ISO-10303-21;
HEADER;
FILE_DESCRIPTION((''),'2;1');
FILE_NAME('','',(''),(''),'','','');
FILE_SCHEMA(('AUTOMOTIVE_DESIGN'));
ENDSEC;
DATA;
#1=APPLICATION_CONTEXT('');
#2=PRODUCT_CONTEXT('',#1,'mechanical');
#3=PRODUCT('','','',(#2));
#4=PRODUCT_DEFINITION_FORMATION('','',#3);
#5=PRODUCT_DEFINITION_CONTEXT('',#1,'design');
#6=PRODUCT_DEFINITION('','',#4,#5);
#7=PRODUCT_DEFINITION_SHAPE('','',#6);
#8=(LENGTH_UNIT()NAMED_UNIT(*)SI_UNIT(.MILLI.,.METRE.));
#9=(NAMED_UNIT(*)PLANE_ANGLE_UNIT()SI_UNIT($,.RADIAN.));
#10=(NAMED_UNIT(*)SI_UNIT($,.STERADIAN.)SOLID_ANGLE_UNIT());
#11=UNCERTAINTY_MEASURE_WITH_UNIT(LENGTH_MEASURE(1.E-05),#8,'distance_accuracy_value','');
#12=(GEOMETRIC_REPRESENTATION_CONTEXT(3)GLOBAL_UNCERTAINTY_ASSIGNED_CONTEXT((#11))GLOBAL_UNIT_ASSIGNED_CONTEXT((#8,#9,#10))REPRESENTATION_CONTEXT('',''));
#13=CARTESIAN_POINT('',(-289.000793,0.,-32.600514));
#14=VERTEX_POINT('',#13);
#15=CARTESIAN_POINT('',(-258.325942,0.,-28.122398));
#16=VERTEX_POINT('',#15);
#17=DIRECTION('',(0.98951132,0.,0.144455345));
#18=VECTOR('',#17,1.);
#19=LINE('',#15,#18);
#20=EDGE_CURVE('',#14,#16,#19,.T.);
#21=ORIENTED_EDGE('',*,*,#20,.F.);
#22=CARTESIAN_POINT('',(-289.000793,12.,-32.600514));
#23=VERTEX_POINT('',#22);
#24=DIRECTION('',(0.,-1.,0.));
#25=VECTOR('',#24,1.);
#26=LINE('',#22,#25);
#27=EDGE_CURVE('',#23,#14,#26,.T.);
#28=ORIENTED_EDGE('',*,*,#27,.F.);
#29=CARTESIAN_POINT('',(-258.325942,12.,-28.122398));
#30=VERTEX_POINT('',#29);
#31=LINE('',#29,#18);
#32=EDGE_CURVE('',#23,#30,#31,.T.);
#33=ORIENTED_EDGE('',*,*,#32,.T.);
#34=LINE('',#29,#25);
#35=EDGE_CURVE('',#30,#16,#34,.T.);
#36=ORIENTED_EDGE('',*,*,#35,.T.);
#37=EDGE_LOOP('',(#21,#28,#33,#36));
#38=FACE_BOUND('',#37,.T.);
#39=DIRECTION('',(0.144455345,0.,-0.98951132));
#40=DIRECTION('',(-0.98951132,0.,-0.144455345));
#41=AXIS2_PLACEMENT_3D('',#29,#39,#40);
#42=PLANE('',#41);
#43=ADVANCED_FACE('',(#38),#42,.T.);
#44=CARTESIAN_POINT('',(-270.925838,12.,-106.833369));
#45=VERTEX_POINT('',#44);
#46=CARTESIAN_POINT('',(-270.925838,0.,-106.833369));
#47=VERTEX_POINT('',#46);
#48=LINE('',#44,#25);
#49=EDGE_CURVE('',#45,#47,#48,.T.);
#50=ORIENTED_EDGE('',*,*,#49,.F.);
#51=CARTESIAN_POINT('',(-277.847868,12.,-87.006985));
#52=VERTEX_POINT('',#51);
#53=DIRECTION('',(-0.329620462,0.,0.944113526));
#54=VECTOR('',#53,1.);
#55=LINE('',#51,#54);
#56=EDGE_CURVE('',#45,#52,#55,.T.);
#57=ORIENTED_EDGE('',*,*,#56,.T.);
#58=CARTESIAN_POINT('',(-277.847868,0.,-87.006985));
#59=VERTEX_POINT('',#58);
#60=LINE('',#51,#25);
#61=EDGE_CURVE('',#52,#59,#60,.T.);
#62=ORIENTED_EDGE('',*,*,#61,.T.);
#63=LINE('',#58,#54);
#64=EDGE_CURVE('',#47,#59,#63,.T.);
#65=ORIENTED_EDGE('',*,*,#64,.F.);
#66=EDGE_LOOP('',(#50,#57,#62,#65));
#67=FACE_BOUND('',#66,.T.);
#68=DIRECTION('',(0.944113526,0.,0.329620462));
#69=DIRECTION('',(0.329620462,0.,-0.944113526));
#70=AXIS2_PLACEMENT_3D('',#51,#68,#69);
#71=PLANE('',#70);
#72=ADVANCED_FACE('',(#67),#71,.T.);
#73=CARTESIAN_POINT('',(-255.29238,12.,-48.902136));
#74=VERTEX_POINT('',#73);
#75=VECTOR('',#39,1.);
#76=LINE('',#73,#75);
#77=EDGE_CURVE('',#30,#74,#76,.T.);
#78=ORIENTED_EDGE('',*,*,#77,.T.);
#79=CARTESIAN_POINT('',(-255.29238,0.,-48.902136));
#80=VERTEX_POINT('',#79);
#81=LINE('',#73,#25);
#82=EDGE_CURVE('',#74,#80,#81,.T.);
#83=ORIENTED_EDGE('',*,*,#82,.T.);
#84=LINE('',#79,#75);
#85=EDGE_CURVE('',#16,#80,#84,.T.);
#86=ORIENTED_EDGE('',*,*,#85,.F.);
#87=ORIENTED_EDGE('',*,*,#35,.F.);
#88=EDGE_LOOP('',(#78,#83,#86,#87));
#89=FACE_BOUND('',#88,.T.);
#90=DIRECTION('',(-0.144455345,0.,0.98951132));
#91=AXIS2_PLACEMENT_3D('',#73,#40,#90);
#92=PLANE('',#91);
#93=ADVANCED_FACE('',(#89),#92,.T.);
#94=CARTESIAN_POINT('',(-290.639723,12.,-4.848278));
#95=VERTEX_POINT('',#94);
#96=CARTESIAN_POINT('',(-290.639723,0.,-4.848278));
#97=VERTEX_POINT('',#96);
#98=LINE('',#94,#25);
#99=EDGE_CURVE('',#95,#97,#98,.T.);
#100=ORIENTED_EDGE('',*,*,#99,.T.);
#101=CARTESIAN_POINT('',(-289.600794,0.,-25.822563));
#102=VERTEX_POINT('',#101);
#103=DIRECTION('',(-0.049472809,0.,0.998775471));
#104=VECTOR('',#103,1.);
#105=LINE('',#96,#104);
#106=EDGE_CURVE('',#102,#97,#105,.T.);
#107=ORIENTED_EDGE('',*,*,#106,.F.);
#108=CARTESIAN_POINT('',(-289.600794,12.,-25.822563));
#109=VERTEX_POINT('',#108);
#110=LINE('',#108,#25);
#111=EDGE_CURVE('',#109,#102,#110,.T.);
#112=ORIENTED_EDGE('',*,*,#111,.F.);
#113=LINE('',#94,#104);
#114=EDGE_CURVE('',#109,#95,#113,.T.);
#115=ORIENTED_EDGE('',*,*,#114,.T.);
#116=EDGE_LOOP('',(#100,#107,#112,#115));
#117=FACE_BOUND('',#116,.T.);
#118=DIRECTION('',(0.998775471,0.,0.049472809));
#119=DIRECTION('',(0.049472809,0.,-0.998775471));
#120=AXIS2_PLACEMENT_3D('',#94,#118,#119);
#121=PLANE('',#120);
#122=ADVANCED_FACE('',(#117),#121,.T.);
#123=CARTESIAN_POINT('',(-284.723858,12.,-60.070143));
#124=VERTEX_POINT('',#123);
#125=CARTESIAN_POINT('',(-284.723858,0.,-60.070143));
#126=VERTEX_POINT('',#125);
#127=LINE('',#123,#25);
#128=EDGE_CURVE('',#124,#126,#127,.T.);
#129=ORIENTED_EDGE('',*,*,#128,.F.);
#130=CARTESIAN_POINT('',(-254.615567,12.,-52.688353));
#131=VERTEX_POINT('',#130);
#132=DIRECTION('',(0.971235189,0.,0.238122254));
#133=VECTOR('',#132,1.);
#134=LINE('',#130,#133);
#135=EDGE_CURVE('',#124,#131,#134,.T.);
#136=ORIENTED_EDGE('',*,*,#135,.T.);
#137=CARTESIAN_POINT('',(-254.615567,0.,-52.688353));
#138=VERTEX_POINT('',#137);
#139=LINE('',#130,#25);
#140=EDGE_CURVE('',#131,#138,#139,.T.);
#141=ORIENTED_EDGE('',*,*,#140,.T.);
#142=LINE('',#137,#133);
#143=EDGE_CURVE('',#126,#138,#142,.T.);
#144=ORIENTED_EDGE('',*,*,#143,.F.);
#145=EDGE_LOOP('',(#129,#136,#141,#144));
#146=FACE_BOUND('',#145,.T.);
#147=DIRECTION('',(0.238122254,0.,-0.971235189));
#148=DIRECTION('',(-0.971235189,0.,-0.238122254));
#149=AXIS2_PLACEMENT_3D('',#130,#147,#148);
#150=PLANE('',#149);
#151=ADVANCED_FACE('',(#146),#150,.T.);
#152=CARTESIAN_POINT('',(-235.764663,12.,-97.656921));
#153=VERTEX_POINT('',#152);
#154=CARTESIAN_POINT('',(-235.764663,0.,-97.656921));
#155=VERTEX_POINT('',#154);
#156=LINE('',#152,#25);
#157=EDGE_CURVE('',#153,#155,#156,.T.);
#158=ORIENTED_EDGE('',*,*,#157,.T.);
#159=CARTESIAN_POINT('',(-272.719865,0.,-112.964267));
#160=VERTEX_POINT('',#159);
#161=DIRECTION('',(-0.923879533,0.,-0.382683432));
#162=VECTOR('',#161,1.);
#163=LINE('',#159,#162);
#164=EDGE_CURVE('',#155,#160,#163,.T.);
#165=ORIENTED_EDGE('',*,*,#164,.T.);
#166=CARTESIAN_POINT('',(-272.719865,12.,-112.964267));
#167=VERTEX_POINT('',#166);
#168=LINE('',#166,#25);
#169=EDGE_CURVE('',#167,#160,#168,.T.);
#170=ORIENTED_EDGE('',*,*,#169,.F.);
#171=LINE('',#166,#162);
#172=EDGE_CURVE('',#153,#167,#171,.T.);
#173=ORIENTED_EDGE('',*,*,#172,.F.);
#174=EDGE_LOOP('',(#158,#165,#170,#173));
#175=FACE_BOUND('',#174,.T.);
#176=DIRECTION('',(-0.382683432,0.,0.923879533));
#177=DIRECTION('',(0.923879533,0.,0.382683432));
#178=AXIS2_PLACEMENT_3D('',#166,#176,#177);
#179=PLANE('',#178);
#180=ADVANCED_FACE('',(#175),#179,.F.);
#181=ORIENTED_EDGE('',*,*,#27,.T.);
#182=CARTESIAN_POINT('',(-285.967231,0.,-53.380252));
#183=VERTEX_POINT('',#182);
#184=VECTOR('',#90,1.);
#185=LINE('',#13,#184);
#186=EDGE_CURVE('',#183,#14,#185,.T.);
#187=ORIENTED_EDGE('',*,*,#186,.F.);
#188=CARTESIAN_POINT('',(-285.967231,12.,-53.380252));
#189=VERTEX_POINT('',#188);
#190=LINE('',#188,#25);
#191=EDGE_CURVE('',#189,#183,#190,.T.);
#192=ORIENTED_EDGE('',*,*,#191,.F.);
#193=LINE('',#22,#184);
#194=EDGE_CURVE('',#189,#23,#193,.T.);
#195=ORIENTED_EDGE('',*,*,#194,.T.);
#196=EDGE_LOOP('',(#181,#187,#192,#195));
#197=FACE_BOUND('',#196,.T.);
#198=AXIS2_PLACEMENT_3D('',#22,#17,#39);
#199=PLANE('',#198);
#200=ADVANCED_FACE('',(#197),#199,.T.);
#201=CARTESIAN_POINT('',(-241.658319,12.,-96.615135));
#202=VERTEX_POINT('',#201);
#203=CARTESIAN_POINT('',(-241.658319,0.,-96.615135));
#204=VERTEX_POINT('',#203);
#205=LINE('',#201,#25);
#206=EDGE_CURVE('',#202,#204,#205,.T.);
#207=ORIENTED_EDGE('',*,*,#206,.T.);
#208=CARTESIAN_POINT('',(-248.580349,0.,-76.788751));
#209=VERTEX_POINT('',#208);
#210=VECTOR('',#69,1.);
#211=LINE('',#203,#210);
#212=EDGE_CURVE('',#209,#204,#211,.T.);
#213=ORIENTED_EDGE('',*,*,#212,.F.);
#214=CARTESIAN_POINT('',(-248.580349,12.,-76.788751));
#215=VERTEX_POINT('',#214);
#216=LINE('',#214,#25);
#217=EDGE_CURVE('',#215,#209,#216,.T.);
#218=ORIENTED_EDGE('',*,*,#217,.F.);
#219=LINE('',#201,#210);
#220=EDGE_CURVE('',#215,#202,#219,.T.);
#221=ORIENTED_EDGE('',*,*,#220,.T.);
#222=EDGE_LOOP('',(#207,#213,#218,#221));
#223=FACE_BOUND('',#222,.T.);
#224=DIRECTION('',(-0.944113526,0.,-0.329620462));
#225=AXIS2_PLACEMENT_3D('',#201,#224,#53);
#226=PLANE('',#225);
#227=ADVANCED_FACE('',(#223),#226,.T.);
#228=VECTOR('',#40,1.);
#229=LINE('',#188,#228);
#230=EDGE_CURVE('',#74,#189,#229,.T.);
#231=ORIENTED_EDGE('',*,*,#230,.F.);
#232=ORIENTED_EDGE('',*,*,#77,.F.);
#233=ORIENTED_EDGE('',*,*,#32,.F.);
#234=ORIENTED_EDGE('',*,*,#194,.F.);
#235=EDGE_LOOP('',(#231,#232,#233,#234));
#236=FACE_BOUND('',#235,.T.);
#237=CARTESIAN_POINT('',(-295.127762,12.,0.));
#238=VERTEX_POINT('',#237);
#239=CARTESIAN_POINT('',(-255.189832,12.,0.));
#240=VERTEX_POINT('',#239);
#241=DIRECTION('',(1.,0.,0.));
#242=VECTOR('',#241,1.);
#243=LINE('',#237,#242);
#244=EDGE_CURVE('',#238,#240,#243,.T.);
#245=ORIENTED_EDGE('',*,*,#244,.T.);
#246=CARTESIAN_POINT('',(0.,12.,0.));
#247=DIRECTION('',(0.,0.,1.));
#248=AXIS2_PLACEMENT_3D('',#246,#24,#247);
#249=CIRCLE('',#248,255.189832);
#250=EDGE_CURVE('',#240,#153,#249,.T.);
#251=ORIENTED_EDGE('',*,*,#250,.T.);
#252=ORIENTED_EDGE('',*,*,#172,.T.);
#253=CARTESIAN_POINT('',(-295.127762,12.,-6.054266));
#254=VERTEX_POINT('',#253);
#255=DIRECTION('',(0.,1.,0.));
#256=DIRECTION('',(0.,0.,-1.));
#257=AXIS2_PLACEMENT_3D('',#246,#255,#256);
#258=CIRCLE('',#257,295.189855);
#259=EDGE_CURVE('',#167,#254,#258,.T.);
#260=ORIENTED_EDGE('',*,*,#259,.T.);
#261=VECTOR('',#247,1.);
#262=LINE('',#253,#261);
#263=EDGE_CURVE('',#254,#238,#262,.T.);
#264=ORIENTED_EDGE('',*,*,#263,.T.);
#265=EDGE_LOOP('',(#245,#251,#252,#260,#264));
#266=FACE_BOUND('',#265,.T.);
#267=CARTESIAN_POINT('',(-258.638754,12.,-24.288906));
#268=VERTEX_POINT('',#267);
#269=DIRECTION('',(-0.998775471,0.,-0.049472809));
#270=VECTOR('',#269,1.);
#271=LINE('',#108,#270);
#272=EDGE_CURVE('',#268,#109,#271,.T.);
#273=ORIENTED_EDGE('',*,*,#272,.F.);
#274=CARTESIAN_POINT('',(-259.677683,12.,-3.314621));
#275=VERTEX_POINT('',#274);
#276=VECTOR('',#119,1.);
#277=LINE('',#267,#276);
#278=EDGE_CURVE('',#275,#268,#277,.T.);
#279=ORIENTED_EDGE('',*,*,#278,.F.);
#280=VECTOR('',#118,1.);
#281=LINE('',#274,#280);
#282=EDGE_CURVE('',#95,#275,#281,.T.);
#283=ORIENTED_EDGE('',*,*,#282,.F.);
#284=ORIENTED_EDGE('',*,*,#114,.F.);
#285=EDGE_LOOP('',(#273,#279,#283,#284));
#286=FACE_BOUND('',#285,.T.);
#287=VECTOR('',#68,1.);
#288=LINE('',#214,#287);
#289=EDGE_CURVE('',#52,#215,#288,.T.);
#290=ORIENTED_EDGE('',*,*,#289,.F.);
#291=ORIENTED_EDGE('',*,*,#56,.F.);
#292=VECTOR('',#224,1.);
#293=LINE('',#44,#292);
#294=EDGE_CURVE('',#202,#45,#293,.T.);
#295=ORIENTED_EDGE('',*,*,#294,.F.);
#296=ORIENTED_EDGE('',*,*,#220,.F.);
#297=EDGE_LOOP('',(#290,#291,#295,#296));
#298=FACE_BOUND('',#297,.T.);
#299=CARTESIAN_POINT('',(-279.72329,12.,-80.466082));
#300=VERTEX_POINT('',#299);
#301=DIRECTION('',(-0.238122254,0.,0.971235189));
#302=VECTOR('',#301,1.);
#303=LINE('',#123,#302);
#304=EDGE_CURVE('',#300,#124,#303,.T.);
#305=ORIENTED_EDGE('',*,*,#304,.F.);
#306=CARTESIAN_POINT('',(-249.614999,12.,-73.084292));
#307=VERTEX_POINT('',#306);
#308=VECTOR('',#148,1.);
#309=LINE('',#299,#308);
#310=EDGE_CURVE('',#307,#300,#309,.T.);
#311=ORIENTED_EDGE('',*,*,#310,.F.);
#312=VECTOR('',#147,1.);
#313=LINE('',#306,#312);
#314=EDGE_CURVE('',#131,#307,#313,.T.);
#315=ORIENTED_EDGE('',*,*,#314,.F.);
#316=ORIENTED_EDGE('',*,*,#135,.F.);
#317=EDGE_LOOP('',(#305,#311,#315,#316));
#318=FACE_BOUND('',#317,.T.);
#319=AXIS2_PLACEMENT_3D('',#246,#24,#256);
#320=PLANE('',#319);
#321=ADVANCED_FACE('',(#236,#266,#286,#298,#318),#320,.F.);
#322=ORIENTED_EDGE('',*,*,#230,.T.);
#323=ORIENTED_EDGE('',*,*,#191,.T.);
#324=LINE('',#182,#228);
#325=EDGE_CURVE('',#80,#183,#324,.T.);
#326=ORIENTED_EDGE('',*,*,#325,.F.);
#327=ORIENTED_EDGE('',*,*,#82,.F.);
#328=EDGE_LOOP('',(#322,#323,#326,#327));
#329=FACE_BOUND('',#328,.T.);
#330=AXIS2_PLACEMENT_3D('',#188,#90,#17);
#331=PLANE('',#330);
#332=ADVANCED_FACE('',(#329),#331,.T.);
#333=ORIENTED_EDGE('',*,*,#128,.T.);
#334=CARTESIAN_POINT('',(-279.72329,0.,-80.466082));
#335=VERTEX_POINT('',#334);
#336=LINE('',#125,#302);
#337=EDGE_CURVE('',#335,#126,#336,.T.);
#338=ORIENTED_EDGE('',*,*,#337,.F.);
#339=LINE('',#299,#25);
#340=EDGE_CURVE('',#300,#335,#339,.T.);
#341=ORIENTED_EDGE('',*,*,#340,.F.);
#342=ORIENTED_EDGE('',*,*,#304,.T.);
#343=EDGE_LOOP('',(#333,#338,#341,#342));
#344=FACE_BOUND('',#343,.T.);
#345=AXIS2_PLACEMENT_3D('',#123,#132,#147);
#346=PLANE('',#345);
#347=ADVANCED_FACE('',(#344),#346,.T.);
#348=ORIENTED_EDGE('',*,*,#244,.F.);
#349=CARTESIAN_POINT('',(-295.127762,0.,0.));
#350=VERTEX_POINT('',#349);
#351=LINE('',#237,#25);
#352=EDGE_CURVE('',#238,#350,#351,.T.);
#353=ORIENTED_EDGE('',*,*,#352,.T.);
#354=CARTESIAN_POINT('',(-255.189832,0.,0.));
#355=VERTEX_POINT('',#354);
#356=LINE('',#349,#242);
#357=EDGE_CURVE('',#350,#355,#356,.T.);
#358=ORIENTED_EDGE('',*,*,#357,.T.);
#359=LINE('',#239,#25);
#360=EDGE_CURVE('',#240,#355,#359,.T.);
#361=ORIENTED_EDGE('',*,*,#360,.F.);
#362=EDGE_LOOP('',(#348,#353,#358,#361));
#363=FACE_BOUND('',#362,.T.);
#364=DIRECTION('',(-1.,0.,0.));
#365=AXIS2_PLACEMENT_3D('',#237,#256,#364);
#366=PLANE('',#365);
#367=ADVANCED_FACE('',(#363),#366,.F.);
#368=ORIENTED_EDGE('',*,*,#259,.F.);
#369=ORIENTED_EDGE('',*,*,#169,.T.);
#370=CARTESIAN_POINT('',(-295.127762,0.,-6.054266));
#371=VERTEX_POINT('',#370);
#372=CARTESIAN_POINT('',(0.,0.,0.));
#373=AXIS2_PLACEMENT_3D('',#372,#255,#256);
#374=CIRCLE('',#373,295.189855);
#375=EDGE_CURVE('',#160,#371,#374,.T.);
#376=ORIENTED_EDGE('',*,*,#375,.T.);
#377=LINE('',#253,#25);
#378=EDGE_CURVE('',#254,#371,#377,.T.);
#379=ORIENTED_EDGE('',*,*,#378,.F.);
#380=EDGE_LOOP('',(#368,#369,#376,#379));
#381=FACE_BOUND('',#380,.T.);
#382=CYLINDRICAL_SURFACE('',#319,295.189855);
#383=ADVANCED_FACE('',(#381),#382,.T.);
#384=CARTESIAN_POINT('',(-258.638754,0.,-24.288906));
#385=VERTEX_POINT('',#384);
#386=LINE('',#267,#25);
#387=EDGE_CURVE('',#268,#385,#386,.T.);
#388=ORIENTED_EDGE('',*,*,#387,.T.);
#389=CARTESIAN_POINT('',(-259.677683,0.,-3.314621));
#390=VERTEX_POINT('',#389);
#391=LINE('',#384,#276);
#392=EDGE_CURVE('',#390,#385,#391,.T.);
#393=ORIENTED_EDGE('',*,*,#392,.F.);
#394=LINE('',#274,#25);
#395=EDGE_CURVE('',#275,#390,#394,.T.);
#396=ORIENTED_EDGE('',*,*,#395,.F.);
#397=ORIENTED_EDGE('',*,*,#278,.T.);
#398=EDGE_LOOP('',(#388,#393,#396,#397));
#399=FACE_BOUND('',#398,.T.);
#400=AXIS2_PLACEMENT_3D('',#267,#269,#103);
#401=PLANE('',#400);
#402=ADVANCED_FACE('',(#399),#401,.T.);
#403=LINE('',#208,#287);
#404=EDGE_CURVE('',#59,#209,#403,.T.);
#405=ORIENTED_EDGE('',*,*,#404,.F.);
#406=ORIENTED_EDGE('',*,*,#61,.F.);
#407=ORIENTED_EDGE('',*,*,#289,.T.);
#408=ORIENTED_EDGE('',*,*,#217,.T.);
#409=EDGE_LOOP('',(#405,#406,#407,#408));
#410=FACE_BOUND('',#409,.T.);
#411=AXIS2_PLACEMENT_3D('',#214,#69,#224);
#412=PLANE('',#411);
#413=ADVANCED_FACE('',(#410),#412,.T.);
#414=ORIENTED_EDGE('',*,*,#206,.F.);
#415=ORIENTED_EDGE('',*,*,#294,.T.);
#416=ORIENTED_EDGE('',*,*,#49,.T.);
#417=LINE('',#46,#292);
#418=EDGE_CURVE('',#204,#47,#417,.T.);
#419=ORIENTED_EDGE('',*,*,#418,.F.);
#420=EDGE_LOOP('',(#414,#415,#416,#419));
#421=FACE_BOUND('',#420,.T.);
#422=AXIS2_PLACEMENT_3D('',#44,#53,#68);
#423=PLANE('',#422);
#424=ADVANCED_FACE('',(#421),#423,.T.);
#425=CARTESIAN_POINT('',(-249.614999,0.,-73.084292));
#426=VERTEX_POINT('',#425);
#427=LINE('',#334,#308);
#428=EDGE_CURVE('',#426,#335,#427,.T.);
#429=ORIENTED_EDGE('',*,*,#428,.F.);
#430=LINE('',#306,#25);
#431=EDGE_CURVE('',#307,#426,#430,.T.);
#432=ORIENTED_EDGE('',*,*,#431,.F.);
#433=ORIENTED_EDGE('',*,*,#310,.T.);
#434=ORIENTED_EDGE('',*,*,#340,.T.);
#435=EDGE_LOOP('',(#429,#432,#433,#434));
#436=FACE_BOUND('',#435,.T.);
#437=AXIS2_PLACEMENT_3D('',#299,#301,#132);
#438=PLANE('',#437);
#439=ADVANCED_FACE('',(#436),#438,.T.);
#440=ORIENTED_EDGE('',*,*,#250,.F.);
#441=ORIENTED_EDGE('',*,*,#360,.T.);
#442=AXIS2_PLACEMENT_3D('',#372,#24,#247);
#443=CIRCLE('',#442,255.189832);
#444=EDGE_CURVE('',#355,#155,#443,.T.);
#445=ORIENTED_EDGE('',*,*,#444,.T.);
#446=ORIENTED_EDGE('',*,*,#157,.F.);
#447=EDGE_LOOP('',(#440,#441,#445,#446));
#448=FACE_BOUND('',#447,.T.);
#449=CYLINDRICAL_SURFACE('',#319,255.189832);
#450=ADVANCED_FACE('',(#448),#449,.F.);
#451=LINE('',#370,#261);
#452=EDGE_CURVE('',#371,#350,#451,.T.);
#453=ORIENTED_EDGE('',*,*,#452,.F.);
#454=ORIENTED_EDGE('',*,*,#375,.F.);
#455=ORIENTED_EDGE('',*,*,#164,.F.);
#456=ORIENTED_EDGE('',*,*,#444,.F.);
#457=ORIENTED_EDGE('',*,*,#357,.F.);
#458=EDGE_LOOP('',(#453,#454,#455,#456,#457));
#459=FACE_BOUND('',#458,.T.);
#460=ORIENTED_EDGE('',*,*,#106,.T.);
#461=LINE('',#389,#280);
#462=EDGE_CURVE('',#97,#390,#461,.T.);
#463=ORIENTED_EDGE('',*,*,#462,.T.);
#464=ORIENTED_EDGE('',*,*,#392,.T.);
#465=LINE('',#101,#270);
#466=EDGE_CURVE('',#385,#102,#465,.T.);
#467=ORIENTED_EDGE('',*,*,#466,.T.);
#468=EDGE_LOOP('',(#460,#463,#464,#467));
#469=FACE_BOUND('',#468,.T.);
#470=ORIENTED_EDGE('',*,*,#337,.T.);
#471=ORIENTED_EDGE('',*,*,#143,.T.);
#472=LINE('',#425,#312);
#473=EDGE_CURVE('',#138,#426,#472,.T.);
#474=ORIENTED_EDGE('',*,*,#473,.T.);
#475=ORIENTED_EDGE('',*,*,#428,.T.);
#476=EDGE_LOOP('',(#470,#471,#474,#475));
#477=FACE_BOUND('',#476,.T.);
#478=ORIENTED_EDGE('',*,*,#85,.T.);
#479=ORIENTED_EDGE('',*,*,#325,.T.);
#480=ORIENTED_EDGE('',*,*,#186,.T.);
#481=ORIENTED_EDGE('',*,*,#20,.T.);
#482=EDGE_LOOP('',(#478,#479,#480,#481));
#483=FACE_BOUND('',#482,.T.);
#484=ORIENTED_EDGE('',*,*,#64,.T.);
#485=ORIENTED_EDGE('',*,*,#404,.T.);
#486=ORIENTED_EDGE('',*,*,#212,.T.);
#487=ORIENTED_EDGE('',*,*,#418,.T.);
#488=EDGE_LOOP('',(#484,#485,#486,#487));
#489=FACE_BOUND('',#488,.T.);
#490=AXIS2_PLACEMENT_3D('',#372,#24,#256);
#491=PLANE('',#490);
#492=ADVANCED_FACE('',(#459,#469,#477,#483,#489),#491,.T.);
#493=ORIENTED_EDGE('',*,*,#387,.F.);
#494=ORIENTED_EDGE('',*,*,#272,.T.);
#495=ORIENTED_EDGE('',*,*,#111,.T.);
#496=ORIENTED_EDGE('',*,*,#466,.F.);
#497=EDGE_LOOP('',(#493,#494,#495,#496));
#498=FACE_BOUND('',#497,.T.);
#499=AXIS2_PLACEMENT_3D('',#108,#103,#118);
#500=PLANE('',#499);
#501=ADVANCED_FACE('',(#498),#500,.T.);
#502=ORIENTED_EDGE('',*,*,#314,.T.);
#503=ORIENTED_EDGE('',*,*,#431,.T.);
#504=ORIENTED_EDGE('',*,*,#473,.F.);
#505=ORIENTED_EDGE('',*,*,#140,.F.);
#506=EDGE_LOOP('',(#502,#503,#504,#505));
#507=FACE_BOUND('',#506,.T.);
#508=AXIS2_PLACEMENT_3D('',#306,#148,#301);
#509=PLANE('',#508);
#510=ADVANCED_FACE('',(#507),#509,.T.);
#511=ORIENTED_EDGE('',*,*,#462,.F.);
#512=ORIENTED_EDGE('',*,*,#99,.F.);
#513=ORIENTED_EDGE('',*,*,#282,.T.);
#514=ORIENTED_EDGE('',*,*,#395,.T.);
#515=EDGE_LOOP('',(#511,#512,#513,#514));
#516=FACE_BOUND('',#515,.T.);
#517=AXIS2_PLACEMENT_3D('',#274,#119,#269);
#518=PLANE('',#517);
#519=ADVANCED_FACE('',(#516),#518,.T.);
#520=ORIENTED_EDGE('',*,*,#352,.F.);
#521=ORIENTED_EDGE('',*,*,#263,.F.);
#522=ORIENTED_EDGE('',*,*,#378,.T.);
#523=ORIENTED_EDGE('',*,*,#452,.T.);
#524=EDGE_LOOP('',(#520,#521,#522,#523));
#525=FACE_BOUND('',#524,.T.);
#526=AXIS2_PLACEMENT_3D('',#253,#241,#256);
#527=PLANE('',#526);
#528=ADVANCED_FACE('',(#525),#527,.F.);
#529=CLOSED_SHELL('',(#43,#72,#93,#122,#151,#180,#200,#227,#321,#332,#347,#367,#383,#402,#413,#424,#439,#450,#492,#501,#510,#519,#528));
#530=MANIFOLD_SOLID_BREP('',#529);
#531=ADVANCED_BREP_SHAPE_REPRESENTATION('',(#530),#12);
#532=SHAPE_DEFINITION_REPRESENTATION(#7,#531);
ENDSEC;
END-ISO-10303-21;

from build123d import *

# Parameters (mm, degrees)
BOSS_EXTRUDE1_DEPTH = 12


with BuildPart() as part:
    # Sketch1 → Boss-Extrude1 (new body)
    with BuildSketch(Plane(origin=(0, 0, 0), x_dir=(1, 0, 0), z_dir=(0, 1, 0))):
        with BuildLine():
            Line((-272.719864834, 112.964266743), (-235.764662876, 97.656920891))
            ThreePointArc((-235.764662876, 97.656920891), (-250.286431131, 49.785066539), (-255.189832201, 0))
            Line((-255.189832201, 0), (-295.127762341, 0))
            Line((-295.127762341, 0), (-295.127762341, 6.054265565))
            ThreePointArc((-295.127762341, 6.054265565), (-288.912043726, 60.55477872), (-272.719864834, 112.964266743))
        make_face()
        Polygon((-249.614999445, 73.084292156), (-254.615566779, 52.688353189), (-284.723857635, 60.070143062), (-279.723290301, 80.466082029), align=None, mode=Mode.SUBTRACT)
        Polygon((-241.658318908, 96.615135023), (-248.580348619, 76.788750968), (-277.847867938, 87.006985303), (-270.925838227, 106.833369358), align=None, mode=Mode.SUBTRACT)
        Polygon((-255.292380187, 48.902135943), (-258.325942442, 28.122398215), (-289.000793374, 32.600513925), (-285.967231118, 53.380251653), align=None, mode=Mode.SUBTRACT)
        Polygon((-258.638754349, 24.288905534), (-259.677683338, 3.314620647), (-290.639722934, 4.848277725), (-289.600793945, 25.822562613), align=None, mode=Mode.SUBTRACT)
    extrude(amount=BOSS_EXTRUDE1_DEPTH)


solid = part.part
